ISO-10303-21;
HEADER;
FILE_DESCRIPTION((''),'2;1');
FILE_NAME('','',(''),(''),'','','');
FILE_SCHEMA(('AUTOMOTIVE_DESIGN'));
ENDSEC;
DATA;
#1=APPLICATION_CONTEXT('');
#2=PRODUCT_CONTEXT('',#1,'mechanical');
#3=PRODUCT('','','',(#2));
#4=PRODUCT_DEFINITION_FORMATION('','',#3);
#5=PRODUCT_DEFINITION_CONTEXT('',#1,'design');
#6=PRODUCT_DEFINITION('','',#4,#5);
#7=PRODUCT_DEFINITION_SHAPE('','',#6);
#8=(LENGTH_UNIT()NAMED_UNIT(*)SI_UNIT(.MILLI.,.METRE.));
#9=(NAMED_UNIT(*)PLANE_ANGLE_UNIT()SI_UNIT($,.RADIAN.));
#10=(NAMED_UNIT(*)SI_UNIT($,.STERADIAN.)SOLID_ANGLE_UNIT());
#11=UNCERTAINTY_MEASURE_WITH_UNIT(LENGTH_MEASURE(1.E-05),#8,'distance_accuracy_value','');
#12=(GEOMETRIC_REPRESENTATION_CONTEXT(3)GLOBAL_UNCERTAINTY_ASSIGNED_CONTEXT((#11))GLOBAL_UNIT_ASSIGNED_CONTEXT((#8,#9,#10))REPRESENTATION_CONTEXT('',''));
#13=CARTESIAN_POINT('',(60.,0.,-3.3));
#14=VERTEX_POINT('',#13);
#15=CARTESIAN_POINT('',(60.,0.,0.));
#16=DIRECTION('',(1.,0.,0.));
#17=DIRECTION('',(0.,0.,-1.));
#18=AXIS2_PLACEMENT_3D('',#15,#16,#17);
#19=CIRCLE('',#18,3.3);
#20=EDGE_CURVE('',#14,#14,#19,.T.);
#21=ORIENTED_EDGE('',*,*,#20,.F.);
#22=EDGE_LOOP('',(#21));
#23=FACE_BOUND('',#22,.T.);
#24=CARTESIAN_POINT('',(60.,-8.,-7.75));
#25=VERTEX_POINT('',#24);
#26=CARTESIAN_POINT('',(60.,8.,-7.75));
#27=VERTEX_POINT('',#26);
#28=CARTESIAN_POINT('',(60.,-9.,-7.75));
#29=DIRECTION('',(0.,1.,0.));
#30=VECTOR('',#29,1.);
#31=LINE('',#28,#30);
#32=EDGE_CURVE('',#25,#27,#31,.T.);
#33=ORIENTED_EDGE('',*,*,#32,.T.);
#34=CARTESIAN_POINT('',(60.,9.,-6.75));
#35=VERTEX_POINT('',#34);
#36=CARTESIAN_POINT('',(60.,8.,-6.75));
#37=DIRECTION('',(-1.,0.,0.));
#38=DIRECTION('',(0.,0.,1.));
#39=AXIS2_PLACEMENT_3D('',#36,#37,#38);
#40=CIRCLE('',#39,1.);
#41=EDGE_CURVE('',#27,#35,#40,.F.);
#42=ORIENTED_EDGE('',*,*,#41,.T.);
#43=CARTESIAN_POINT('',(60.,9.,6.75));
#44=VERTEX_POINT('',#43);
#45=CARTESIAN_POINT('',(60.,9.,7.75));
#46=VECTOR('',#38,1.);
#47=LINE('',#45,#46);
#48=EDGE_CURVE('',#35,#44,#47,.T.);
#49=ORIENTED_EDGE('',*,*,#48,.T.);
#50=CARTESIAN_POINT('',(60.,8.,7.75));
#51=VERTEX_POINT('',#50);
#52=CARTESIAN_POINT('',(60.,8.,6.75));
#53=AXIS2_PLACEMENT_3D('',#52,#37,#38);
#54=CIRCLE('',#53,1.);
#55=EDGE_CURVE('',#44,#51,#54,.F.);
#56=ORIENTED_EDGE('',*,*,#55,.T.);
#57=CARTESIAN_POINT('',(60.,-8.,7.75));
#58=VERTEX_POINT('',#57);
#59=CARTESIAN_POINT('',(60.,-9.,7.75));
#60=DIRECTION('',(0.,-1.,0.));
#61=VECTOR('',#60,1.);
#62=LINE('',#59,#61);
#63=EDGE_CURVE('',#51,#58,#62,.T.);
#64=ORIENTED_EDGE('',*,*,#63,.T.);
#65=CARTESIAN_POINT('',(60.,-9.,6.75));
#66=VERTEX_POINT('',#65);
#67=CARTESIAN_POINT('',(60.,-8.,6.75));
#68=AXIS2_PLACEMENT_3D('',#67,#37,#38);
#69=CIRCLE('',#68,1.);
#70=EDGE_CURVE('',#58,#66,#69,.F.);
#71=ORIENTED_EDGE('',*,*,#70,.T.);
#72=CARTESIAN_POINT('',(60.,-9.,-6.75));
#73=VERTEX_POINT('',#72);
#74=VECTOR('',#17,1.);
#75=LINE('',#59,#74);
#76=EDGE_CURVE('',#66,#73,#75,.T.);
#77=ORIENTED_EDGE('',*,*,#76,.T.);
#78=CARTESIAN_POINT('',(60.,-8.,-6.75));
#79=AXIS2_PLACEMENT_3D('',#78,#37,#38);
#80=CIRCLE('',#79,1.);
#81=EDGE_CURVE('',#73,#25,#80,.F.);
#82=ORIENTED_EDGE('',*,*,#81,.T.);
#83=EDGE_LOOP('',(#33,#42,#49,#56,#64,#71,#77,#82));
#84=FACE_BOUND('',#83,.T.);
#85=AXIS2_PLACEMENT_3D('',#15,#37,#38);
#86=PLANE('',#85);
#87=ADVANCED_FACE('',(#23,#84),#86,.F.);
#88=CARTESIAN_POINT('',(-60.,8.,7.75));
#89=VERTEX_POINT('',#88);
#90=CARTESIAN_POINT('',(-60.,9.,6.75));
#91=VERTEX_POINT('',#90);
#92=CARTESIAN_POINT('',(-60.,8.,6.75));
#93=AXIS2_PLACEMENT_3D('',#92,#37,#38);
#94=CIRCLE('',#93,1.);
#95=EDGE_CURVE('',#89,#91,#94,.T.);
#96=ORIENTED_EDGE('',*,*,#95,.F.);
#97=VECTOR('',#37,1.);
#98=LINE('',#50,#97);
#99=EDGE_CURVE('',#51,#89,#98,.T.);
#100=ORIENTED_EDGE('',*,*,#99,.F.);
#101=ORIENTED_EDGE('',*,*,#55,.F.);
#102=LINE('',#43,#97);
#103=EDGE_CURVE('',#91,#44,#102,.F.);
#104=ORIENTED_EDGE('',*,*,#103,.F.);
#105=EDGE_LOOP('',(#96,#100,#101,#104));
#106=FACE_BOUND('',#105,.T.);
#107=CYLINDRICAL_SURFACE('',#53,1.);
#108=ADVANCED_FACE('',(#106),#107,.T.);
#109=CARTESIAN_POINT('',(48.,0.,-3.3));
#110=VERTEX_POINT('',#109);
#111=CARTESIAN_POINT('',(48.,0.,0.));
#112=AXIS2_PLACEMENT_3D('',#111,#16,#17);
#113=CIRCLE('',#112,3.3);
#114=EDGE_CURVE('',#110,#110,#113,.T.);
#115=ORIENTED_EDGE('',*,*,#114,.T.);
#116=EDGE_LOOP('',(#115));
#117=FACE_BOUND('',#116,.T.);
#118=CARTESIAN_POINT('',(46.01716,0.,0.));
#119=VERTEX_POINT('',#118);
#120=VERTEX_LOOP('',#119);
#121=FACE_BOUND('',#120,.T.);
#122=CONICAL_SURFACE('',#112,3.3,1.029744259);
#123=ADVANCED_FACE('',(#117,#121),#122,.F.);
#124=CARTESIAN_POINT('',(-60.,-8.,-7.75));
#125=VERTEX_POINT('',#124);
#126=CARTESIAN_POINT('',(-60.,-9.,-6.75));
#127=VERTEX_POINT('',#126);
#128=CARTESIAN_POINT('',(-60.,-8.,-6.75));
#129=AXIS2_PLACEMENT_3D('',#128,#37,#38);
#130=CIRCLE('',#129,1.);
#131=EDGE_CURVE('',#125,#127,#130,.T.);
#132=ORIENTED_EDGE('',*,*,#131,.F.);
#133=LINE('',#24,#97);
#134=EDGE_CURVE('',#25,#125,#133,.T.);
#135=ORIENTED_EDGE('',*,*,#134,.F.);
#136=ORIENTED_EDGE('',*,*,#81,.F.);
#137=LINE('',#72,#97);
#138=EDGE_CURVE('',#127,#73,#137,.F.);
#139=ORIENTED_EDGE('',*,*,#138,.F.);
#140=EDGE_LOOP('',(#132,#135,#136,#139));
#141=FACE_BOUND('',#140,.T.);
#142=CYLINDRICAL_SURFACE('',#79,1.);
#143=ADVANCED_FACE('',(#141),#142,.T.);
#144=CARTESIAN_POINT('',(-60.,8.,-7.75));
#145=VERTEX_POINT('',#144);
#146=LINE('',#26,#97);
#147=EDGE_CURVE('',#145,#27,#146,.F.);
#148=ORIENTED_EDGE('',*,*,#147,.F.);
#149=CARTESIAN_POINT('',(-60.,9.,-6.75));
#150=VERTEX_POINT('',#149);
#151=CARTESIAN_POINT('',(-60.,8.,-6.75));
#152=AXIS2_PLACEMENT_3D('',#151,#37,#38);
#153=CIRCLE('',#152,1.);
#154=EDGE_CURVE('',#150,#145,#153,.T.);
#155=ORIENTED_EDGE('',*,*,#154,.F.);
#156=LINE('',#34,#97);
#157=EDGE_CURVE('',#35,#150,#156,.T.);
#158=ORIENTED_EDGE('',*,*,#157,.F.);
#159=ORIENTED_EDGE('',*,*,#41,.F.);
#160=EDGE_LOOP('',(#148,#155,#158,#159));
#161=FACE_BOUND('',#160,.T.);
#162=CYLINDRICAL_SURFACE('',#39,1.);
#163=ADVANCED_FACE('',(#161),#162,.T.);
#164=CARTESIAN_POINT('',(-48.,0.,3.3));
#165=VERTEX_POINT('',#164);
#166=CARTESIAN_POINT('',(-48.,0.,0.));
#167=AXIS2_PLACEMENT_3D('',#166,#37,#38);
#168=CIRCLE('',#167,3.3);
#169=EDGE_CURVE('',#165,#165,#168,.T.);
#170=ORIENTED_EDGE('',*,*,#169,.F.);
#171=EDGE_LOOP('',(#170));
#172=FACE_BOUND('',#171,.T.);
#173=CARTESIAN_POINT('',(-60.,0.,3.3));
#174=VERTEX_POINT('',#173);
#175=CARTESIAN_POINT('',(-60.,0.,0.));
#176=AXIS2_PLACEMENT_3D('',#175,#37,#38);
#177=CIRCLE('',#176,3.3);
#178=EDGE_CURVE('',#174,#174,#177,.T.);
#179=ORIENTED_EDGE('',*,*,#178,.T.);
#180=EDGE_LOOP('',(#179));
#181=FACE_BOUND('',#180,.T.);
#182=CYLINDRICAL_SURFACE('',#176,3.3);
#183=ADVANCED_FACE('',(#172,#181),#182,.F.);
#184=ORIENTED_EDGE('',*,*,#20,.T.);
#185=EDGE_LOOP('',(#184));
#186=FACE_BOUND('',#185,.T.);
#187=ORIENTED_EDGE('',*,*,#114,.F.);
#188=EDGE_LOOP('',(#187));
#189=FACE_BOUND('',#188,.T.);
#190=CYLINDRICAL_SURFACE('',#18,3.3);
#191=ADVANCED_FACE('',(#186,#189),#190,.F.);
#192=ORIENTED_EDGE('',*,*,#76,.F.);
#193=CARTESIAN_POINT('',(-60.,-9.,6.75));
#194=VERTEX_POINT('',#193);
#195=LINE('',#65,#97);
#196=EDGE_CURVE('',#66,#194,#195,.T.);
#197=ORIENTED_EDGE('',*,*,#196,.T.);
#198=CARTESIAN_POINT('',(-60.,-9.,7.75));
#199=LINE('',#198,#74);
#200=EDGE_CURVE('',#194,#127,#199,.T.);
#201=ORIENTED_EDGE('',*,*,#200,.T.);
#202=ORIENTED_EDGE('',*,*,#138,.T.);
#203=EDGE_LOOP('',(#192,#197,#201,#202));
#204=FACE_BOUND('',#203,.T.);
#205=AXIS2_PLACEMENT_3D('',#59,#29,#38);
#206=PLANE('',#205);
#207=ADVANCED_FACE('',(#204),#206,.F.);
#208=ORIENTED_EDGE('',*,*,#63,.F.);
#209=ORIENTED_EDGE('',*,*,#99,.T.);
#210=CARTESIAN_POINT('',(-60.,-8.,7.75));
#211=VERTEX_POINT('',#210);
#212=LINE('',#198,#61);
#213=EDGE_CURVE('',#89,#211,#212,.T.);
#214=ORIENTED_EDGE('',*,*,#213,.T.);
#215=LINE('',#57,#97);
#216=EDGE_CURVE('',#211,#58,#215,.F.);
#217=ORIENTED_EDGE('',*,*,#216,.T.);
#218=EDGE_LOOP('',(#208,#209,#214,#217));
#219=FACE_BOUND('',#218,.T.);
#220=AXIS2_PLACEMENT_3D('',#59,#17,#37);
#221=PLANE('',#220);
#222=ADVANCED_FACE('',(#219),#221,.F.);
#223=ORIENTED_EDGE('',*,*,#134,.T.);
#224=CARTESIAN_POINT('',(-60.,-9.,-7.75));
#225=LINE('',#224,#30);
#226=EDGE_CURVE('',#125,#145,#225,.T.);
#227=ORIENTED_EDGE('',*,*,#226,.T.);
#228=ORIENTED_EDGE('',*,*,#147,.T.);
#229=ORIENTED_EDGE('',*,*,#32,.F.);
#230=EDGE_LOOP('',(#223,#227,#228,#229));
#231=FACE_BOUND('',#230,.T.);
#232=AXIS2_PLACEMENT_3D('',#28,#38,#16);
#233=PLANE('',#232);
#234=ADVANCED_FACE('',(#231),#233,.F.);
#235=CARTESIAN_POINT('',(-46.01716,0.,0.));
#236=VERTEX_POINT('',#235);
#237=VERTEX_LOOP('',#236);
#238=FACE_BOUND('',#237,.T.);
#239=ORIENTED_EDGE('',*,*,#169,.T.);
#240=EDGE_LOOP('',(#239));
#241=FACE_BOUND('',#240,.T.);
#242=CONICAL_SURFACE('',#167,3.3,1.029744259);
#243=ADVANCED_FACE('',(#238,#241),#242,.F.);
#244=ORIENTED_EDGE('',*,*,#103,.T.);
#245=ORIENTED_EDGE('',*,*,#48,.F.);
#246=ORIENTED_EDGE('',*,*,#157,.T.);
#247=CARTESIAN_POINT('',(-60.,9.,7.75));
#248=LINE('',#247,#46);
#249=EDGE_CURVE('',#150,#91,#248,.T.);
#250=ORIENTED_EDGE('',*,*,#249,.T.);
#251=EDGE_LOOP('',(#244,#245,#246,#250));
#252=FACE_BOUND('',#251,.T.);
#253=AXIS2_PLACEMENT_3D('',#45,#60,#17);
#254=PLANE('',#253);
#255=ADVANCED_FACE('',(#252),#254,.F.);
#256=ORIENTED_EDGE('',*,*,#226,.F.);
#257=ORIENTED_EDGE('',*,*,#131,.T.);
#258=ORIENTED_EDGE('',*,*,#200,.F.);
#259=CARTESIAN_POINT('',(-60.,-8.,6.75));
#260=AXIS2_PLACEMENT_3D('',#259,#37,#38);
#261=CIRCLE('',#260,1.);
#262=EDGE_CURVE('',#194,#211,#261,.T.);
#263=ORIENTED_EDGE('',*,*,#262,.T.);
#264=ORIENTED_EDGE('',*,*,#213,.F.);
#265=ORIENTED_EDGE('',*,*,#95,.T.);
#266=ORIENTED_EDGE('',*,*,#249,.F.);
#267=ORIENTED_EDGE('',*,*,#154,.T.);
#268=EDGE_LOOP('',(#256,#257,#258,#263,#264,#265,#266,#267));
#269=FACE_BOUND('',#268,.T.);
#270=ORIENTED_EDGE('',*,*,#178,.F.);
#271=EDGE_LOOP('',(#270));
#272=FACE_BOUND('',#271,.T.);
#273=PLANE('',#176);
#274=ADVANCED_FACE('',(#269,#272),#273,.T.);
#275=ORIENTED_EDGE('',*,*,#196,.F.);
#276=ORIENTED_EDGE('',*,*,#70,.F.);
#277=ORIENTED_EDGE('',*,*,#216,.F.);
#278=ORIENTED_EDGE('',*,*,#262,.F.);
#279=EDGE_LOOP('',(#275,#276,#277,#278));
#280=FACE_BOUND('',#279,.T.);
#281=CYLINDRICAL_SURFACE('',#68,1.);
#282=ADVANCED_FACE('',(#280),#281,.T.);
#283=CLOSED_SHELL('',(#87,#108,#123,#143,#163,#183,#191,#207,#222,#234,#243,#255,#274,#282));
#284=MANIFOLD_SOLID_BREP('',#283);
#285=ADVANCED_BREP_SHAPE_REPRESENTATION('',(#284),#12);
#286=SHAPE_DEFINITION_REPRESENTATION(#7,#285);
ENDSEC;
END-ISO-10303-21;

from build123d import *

# Parameters (mm, degrees)
SKETCH1_W           = 15.5
SKETCH1_H           = 18
BOSS_EXTRUDE1_DEPTH = 60
FILLET1_R           = 1


with BuildPart() as part:
    # Sketch1 → Boss-Extrude1 (new body, symmetric)
    with BuildSketch(Plane(origin=(0, 0, 0), x_dir=(0, 0, -1), z_dir=(1, 0, 0))):
        Rectangle(SKETCH1_W, SKETCH1_H)
    extrude(amount=BOSS_EXTRUDE1_DEPTH, both=True)

    # Fillet1
    fillet1_edges = [part.edges().sort_by_distance(p)[0] for p in [
        (0, -9, -7.75),
        (0, -9, 7.75),
        (0, 9, 7.75),
        (0, 9, -7.75),
    ]]
    fillet(fillet1_edges, radius=FILLET1_R)

    # Sketch3 → Ø1.0 (6.6) Diameter Hole1 (revolve, cut)
    with BuildSketch(Plane(origin=(60, 0, 0), x_dir=(0, 0, -1), z_dir=(0, 1, 0))):
        Polygon((0, 0), (0, 13.982840043), (3.3, 12), (3.3, 0), align=None)
    f_1_0_6_6_diameter_hole1 = revolve(axis=Axis((66.35, 0, 0), (-1, 0, 0)), mode=Mode.SUBTRACT)

    # Mirror1: Ø1.0 (6.6) Diameter Hole1 across plane
    add(f_1_0_6_6_diameter_hole1.mirror(Plane(origin=(0, 0, 0), x_dir=(0, 0, 1), z_dir=(1, 0, 0))), mode=Mode.SUBTRACT)


solid = part.part
